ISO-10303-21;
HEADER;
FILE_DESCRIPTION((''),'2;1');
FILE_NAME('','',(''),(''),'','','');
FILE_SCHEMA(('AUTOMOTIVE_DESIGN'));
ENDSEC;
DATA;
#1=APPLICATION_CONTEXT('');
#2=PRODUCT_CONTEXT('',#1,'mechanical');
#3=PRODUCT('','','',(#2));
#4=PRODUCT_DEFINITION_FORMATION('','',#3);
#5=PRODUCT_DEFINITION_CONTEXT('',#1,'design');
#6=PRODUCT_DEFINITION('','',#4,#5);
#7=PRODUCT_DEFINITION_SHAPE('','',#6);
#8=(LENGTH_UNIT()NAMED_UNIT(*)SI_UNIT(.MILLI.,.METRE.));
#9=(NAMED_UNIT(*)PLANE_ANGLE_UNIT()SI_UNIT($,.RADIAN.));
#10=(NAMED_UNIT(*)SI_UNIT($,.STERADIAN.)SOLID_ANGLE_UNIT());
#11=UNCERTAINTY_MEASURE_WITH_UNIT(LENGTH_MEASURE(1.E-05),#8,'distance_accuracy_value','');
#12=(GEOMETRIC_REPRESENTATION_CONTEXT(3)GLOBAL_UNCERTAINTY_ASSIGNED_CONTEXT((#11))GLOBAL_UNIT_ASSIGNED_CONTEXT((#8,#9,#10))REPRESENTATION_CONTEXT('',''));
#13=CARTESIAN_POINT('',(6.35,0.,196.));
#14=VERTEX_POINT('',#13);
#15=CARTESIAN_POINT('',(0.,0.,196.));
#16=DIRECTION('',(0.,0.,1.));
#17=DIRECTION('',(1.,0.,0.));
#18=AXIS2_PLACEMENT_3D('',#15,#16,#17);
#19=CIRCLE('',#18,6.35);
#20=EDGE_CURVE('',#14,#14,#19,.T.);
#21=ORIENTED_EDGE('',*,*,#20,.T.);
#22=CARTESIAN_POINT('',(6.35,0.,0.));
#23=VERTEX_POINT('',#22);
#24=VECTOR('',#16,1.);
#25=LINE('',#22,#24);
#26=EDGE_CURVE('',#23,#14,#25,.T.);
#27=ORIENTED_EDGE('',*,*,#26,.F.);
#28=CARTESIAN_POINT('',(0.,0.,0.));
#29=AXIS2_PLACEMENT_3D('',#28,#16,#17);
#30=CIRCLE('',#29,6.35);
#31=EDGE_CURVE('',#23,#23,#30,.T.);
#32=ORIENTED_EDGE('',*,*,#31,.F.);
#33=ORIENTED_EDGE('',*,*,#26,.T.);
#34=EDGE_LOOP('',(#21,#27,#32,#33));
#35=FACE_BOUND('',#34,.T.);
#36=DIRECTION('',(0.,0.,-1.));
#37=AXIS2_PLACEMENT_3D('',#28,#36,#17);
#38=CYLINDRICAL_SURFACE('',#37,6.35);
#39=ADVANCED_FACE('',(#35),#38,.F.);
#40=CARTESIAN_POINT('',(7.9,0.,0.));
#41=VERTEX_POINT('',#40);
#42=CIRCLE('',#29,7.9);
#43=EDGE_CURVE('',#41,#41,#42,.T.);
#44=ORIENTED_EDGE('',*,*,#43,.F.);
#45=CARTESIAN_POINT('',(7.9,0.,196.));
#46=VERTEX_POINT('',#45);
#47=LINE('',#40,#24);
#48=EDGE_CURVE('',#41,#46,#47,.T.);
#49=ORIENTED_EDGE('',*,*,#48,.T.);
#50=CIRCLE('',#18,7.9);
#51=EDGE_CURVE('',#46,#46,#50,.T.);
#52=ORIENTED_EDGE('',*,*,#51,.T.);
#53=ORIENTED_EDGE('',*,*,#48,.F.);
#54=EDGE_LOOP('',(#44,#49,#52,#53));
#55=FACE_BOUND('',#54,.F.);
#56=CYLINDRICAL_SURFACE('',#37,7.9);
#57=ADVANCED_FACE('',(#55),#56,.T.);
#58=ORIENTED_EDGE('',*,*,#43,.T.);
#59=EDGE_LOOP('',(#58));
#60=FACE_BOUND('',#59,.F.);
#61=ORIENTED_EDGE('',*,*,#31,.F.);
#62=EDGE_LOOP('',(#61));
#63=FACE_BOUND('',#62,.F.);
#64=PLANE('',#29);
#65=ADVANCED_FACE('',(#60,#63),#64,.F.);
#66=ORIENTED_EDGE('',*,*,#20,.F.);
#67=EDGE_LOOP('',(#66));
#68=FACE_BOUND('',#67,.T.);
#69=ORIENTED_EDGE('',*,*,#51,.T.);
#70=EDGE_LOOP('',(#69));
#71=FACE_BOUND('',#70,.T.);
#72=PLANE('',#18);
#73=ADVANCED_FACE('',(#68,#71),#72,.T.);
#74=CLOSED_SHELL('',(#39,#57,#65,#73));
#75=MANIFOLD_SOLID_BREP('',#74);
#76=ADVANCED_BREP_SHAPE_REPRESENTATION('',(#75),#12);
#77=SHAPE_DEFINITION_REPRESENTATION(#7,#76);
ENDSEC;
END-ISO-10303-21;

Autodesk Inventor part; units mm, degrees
ref_plane "YZ Plane" through (0, 0, 0) normal (1, 0, 0) x (0, 1, 0)
ref_plane "XZ Plane" through (0, 0, 0) normal (0, 1, 0) x (-1, 0, 0)
ref_plane "XY Plane" through (0, 0, 0) normal (0, 0, 1) x (1, 0, 0)
sketch "Sketch1" plane through (0, 0, 0) normal (0, 0, 1) x (1, 0, 0)
  circle A0 centre (0, 0) radius 6.35
  circle A1 centre (0, 0) radius 7.9
  dimension "d0" = 12.7
  dimension "d1" = 15.8
extrude "Extrusion1" add sketch "Sketch1" along normal blind 196
properties part number "Tubo6" material "PVC-Piping"
